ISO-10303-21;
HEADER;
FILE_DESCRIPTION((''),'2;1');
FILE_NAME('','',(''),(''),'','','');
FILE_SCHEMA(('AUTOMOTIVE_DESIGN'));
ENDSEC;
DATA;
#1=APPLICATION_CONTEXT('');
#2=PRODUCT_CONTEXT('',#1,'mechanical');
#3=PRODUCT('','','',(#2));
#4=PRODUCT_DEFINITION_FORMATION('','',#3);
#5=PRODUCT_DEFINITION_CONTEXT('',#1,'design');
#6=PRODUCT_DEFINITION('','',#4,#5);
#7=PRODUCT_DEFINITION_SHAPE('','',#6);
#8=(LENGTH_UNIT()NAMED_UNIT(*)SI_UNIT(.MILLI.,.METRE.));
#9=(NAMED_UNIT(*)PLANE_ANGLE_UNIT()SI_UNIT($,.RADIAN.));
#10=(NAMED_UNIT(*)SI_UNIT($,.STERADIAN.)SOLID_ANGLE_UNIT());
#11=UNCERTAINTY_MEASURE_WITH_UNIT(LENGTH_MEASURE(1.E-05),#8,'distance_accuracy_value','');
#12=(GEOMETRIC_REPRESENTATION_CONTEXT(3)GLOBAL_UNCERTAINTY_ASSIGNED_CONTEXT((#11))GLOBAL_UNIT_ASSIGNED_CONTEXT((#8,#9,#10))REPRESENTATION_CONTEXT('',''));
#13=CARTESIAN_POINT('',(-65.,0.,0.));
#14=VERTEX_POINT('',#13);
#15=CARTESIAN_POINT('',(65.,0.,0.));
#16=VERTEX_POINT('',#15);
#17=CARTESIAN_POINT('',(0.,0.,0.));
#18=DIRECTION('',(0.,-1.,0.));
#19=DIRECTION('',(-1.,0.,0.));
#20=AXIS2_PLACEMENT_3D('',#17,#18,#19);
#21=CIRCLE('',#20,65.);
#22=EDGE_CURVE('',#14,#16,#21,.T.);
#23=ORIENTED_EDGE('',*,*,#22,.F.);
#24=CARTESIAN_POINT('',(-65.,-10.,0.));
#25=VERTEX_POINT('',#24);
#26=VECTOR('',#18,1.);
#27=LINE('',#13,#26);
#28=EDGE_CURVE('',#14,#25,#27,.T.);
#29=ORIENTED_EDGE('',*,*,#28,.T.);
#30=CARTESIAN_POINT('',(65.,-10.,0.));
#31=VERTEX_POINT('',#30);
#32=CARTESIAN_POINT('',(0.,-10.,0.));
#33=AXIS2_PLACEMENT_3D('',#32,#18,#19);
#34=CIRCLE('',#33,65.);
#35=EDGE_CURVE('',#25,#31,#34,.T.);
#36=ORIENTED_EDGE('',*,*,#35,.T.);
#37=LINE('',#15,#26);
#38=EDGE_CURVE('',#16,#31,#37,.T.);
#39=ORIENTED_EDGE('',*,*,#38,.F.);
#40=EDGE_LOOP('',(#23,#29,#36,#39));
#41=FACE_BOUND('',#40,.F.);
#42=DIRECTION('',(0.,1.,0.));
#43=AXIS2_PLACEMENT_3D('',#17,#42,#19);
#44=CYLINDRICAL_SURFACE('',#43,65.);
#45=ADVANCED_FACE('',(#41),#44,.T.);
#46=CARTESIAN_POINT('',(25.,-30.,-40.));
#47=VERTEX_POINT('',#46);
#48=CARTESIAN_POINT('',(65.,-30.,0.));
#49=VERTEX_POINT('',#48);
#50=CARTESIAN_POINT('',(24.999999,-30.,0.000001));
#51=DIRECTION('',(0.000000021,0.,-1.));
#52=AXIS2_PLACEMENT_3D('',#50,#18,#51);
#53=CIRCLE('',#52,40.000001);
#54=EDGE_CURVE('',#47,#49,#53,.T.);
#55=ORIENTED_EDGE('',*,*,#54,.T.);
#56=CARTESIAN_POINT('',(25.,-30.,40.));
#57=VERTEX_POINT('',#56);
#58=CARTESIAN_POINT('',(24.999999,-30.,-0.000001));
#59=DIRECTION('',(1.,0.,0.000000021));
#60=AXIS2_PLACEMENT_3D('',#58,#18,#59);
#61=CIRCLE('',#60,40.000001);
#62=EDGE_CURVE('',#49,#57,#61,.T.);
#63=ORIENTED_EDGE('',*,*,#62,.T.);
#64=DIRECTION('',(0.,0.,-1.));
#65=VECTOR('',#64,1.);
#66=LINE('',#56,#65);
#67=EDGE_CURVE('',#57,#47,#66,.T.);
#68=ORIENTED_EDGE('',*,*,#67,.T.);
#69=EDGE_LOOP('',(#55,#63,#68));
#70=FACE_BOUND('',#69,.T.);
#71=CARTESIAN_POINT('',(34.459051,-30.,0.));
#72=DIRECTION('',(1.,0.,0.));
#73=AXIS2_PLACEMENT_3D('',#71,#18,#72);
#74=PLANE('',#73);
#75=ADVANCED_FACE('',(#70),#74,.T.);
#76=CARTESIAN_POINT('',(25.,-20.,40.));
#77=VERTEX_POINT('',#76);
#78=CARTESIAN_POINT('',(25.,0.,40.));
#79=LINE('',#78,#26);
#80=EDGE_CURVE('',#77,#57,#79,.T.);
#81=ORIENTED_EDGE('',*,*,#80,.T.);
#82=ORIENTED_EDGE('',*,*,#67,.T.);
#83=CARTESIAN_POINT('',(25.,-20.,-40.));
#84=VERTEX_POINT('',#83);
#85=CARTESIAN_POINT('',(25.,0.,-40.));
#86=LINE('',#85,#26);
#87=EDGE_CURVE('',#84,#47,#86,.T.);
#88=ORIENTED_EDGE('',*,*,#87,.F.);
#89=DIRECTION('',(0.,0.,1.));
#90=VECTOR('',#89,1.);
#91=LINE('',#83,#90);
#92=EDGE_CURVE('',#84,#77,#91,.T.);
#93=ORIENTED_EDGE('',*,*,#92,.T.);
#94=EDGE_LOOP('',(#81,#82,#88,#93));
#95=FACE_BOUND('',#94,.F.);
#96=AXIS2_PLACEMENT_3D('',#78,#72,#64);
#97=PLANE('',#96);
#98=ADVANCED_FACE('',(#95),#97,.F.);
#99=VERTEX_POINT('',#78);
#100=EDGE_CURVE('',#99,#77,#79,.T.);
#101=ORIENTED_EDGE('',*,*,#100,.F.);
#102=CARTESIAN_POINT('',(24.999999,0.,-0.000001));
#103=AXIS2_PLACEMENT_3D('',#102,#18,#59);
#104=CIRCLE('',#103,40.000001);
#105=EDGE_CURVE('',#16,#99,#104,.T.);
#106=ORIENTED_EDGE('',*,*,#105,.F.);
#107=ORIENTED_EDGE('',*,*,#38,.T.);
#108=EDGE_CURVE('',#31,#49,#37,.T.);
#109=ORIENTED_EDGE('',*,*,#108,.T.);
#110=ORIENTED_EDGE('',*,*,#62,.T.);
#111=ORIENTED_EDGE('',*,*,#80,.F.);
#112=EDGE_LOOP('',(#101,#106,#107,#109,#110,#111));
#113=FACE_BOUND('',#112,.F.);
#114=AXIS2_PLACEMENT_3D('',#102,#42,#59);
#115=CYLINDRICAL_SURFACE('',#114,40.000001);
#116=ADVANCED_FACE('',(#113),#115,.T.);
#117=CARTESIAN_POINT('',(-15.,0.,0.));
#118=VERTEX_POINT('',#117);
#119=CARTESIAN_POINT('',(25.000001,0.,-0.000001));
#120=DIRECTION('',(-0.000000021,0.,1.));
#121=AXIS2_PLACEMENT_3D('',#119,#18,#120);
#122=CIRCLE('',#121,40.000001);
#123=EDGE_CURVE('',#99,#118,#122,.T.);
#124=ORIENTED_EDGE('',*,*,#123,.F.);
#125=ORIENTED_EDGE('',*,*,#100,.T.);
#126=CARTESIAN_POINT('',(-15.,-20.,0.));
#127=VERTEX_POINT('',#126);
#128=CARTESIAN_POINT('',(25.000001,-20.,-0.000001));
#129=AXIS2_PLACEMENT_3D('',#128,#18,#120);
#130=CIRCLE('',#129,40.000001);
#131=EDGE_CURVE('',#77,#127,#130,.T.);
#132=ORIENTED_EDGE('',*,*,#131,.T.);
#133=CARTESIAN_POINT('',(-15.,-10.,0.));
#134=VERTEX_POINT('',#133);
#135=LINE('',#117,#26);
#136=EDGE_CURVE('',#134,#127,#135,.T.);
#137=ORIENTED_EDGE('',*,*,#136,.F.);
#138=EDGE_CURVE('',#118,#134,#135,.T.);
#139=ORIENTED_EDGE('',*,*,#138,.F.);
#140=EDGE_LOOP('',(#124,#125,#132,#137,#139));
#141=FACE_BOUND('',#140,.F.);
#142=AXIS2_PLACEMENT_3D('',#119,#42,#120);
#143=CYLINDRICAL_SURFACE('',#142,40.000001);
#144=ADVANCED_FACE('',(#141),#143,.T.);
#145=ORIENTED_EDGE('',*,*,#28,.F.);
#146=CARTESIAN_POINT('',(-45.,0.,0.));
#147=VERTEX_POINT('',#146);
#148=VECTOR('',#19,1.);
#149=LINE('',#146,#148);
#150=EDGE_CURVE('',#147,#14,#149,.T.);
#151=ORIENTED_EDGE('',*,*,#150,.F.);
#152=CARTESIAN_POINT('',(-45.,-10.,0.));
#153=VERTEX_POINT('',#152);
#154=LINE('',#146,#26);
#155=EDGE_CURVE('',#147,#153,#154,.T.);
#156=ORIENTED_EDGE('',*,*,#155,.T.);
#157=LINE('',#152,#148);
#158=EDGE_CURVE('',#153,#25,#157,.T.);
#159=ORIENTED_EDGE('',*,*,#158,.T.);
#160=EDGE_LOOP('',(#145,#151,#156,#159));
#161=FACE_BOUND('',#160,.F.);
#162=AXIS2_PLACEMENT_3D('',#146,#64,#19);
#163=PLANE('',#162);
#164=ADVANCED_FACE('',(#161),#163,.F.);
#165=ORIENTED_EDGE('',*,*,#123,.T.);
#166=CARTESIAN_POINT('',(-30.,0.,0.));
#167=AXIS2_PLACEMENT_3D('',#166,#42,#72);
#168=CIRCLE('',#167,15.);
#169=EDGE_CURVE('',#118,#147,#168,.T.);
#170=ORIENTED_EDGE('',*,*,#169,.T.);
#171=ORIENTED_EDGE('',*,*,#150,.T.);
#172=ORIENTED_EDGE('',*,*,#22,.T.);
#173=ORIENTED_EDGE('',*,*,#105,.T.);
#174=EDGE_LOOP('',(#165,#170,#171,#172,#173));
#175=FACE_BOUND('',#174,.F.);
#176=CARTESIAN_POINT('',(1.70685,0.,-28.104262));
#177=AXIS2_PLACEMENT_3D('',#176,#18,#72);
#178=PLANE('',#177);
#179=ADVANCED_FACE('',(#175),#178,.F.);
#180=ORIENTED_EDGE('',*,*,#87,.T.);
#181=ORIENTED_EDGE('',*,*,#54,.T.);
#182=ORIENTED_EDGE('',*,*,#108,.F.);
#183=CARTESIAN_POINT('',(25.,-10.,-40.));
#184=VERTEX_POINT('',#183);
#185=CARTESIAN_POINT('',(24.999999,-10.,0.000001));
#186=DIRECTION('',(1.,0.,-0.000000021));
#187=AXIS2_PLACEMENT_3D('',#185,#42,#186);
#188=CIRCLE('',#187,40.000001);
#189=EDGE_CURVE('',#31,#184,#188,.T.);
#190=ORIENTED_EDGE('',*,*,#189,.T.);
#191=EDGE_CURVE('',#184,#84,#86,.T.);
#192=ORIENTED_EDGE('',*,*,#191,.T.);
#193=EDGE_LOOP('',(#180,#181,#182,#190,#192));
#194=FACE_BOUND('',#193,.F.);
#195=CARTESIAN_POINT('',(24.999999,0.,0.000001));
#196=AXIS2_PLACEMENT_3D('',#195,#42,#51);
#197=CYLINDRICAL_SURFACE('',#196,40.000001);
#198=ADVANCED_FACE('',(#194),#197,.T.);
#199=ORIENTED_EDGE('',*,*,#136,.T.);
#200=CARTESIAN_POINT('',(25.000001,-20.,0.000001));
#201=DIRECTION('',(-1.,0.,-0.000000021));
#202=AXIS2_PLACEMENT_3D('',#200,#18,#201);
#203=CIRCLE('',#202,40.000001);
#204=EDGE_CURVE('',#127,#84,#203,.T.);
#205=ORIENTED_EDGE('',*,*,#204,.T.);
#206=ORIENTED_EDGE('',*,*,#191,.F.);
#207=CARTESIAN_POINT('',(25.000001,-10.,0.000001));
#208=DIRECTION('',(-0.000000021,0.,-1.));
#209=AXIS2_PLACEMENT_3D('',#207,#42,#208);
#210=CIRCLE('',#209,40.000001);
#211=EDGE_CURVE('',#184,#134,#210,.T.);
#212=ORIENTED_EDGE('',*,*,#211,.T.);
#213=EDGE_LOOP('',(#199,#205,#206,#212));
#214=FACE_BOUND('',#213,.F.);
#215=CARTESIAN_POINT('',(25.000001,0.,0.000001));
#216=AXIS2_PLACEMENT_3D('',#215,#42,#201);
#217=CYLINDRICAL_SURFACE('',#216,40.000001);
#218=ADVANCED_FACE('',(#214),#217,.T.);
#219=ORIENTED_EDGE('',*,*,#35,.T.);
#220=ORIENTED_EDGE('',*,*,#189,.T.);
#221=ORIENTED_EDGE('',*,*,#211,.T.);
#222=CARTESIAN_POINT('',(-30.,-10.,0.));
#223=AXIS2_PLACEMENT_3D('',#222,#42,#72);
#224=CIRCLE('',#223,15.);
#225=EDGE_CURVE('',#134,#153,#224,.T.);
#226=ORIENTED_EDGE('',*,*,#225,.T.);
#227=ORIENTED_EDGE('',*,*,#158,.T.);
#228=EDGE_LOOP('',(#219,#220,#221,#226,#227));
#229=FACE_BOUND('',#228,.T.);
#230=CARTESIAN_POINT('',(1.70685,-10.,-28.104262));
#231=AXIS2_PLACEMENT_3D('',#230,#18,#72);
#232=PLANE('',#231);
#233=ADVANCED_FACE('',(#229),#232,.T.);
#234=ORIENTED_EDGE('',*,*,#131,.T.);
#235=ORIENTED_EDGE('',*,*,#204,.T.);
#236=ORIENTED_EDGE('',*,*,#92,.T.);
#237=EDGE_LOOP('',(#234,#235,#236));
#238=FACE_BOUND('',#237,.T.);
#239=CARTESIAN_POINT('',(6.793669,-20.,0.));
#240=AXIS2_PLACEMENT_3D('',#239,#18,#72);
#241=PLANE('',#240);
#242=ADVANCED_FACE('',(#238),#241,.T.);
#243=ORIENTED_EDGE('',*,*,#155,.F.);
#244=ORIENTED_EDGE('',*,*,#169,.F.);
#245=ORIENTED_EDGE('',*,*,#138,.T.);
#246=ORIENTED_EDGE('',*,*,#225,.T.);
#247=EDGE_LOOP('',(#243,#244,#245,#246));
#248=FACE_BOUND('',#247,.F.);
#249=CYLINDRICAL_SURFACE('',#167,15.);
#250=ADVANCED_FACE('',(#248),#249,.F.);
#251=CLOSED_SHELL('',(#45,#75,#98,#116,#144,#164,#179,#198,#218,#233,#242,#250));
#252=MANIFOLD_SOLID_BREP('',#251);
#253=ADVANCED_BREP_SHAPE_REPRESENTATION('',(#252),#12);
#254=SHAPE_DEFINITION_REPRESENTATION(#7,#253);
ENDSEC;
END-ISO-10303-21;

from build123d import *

# Parameters (mm, degrees)
F1_DEPTH = 30
F2_DEPTH = 20
F3_DEPTH = 10


with BuildPart() as f1:
    # F0 (on Front) → F1 (new body)
    with BuildSketch(Plane.XZ):
        with BuildLine():
            ThreePointArc((50, 0), (42.67767, 17.67767), (25, 25))
            Line((25, 25), (25, 0))
            Line((25, 0), (25, -25))
            ThreePointArc((25, -25), (42.67767, -17.67767), (50, 0))
        make_face()
        with BuildLine():
            ThreePointArc((25, -40), (53.284271, -28.284271), (65, 0))
            ThreePointArc((65, 0), (53.284271, 28.284271), (25, 40))
            Line((25, 40), (25, 25))
            ThreePointArc((25, 25), (42.67767, 17.67767), (50, 0))
            ThreePointArc((50, 0), (42.67767, -17.67767), (25, -25))
            Line((25, -25), (25, -40))
        make_face()
    extrude(amount=F1_DEPTH)

    # F0 (on Front) → F2 (join)
    with BuildSketch(Plane.XZ):
        with BuildLine():
            ThreePointArc((25, 40), (-3.284271, 28.284271), (-15, 0))
            ThreePointArc((-15, 0), (-3.284271, -28.284271), (25, -40))
            Line((25, -40), (25, -25))
            ThreePointArc((25, -25), (0, 0), (25, 25))
            Line((25, 25), (25, 40))
        make_face()
        with BuildLine():
            Line((25, 0), (25, 25))
            ThreePointArc((25, 25), (0, 0), (25, -25))
            Line((25, -25), (25, 0))
        make_face()
    extrude(amount=F2_DEPTH)

    # F0 (on Front) → F3 (join)
    with BuildSketch(Plane.XZ):
        with BuildLine():
            Line((-45, 0), (-65, 0))
            ThreePointArc((-65, 0), (0, -65), (65, 0))
            ThreePointArc((65, 0), (53.284271, -28.284271), (25, -40))
            ThreePointArc((25, -40), (-3.284271, -28.284271), (-15, 0))
            ThreePointArc((-15, 0), (-30, -15), (-45, 0))
        make_face()
    extrude(amount=F3_DEPTH)


solid = f1.part
